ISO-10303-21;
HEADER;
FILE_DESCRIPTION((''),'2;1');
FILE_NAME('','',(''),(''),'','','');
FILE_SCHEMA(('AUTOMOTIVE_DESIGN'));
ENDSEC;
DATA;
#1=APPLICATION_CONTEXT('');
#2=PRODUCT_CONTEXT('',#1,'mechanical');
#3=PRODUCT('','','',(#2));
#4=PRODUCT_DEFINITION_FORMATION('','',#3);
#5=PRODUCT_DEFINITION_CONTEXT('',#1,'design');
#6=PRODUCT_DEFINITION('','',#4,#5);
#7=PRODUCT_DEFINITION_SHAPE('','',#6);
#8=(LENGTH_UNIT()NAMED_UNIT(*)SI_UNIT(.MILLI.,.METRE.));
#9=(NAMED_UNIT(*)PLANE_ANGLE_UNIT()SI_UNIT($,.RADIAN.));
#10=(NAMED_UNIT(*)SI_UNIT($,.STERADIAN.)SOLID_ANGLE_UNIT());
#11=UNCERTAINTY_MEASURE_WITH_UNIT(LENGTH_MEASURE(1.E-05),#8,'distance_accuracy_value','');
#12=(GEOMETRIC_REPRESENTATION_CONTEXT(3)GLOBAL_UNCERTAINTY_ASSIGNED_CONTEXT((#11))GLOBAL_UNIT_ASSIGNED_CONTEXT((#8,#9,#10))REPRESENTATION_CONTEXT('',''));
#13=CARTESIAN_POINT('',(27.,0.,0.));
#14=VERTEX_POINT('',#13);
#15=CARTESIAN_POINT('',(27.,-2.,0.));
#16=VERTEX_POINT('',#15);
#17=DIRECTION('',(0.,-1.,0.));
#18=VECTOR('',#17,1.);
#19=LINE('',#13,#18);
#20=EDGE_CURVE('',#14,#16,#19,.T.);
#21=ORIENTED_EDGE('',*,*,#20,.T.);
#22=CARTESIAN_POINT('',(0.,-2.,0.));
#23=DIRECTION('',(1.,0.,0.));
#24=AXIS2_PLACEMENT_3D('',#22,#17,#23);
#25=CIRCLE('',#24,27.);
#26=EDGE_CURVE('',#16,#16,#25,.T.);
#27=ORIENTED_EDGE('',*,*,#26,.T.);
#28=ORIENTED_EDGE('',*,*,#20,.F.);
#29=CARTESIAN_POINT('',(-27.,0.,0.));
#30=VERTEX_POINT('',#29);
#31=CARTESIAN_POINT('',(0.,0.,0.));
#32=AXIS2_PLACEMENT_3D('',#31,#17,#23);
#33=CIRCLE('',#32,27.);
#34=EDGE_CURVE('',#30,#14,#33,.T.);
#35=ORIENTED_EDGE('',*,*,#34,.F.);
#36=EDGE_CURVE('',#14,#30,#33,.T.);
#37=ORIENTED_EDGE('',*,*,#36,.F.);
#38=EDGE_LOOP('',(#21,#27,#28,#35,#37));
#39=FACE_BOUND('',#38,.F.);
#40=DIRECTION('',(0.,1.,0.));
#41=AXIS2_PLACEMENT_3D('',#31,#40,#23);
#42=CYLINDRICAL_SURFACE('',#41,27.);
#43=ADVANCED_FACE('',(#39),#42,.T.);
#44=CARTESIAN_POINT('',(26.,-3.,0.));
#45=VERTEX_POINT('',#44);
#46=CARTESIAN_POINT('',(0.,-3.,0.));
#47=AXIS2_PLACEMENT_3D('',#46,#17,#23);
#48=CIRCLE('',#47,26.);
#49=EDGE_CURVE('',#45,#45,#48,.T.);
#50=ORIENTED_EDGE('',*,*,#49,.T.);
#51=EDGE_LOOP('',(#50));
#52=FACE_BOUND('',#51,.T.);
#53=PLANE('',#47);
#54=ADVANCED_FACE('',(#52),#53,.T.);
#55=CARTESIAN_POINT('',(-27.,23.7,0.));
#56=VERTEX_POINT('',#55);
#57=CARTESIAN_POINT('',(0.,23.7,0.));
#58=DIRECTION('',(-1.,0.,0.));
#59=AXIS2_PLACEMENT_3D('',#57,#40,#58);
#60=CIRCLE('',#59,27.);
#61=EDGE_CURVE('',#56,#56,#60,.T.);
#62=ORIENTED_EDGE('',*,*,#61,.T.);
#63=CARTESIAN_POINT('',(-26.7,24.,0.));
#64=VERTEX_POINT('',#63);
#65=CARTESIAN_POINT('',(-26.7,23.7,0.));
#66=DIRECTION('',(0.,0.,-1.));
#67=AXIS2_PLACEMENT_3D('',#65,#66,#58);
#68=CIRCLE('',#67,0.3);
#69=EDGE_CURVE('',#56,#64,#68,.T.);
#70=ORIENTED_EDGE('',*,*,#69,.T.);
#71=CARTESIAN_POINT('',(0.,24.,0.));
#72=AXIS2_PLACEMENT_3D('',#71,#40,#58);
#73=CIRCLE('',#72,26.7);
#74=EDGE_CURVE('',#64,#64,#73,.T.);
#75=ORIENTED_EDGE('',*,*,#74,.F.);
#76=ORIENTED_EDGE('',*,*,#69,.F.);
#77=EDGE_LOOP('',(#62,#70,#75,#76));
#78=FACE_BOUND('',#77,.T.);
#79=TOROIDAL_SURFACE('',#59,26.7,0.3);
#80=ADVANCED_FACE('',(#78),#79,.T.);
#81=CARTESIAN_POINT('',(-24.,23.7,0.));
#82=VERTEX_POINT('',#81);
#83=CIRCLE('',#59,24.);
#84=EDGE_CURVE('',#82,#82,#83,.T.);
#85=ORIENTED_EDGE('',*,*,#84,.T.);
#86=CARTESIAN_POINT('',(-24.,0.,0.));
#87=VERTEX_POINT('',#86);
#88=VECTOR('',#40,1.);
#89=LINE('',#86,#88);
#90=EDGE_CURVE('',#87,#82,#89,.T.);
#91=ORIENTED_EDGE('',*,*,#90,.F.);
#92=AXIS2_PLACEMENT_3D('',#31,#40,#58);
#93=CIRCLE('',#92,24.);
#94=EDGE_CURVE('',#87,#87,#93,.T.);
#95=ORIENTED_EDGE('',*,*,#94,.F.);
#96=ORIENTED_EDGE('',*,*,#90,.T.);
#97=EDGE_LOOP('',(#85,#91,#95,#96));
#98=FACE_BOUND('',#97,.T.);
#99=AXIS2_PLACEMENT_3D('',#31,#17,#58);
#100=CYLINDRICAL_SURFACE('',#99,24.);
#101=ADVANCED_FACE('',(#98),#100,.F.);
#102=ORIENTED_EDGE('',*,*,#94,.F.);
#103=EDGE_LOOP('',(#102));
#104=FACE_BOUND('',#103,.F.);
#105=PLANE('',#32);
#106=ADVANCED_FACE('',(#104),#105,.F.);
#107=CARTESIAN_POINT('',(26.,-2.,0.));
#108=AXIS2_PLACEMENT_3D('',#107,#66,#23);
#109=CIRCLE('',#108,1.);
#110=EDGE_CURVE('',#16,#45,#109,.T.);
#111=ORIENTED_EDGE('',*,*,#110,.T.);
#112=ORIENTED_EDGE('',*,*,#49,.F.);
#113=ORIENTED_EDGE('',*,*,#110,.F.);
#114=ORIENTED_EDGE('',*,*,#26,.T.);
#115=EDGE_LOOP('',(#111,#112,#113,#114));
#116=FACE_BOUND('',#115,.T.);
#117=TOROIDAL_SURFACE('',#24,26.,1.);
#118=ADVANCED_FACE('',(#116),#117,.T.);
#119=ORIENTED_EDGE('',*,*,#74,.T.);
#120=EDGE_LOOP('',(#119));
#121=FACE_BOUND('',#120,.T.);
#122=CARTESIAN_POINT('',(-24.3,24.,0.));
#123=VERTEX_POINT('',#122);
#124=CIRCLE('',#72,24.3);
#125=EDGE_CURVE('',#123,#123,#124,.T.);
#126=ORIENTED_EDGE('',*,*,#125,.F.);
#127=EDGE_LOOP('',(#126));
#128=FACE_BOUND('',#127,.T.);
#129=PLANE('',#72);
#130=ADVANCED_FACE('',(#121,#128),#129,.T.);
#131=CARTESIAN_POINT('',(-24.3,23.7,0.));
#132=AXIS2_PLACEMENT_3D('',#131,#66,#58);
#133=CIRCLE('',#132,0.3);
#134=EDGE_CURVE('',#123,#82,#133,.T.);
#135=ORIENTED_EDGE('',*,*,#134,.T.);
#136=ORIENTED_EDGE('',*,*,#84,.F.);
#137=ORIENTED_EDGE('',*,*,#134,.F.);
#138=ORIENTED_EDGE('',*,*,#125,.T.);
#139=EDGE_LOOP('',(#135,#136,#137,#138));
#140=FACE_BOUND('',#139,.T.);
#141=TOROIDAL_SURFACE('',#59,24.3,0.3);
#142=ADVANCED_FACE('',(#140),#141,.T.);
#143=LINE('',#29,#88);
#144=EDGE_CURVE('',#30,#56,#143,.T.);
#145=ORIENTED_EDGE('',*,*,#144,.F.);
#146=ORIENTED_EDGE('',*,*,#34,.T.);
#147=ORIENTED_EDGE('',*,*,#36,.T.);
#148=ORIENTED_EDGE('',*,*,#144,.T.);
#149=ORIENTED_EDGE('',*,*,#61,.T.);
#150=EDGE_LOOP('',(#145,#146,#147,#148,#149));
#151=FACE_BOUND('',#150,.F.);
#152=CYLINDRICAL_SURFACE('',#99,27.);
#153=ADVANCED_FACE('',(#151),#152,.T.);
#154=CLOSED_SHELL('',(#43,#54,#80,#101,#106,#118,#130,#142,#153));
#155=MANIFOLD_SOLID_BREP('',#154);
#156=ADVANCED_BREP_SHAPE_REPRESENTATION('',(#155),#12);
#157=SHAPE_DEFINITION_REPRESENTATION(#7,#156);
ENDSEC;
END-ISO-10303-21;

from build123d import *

# Parameters (mm, degrees)
F0_R     = 27
F1_DEPTH = 3
F2_R     = 27
F2_R_2   = 24
F3_DEPTH = 24
F4_R     = 1
F5_R     = 0.3


with BuildPart() as f1:
    # F0 (on Front) → F1 (new body)
    with BuildSketch(Plane.XZ):
        Circle(F0_R)
    extrude(amount=F1_DEPTH)

    # F2 (on face) → F3 (join)
    with BuildSketch(Plane(origin=(0, 0, 0), x_dir=(-1, 0, 0), z_dir=(0, 1, 0))):
        Circle(F2_R)
        Circle(F2_R_2, mode=Mode.SUBTRACT)
    extrude(amount=F3_DEPTH)

    # F4
    f4_edges = [f1.edges().sort_by_distance(p)[0] for p in [
        (-27, -3, 0),
    ]]
    fillet(f4_edges, radius=F4_R)

    # F5
    f5_edges = [f1.edges().sort_by_distance(p)[0] for p in [
        (27, 24, 0),
        (24, 24, 0),
    ]]
    fillet(f5_edges, radius=F5_R)


solid = f1.part
